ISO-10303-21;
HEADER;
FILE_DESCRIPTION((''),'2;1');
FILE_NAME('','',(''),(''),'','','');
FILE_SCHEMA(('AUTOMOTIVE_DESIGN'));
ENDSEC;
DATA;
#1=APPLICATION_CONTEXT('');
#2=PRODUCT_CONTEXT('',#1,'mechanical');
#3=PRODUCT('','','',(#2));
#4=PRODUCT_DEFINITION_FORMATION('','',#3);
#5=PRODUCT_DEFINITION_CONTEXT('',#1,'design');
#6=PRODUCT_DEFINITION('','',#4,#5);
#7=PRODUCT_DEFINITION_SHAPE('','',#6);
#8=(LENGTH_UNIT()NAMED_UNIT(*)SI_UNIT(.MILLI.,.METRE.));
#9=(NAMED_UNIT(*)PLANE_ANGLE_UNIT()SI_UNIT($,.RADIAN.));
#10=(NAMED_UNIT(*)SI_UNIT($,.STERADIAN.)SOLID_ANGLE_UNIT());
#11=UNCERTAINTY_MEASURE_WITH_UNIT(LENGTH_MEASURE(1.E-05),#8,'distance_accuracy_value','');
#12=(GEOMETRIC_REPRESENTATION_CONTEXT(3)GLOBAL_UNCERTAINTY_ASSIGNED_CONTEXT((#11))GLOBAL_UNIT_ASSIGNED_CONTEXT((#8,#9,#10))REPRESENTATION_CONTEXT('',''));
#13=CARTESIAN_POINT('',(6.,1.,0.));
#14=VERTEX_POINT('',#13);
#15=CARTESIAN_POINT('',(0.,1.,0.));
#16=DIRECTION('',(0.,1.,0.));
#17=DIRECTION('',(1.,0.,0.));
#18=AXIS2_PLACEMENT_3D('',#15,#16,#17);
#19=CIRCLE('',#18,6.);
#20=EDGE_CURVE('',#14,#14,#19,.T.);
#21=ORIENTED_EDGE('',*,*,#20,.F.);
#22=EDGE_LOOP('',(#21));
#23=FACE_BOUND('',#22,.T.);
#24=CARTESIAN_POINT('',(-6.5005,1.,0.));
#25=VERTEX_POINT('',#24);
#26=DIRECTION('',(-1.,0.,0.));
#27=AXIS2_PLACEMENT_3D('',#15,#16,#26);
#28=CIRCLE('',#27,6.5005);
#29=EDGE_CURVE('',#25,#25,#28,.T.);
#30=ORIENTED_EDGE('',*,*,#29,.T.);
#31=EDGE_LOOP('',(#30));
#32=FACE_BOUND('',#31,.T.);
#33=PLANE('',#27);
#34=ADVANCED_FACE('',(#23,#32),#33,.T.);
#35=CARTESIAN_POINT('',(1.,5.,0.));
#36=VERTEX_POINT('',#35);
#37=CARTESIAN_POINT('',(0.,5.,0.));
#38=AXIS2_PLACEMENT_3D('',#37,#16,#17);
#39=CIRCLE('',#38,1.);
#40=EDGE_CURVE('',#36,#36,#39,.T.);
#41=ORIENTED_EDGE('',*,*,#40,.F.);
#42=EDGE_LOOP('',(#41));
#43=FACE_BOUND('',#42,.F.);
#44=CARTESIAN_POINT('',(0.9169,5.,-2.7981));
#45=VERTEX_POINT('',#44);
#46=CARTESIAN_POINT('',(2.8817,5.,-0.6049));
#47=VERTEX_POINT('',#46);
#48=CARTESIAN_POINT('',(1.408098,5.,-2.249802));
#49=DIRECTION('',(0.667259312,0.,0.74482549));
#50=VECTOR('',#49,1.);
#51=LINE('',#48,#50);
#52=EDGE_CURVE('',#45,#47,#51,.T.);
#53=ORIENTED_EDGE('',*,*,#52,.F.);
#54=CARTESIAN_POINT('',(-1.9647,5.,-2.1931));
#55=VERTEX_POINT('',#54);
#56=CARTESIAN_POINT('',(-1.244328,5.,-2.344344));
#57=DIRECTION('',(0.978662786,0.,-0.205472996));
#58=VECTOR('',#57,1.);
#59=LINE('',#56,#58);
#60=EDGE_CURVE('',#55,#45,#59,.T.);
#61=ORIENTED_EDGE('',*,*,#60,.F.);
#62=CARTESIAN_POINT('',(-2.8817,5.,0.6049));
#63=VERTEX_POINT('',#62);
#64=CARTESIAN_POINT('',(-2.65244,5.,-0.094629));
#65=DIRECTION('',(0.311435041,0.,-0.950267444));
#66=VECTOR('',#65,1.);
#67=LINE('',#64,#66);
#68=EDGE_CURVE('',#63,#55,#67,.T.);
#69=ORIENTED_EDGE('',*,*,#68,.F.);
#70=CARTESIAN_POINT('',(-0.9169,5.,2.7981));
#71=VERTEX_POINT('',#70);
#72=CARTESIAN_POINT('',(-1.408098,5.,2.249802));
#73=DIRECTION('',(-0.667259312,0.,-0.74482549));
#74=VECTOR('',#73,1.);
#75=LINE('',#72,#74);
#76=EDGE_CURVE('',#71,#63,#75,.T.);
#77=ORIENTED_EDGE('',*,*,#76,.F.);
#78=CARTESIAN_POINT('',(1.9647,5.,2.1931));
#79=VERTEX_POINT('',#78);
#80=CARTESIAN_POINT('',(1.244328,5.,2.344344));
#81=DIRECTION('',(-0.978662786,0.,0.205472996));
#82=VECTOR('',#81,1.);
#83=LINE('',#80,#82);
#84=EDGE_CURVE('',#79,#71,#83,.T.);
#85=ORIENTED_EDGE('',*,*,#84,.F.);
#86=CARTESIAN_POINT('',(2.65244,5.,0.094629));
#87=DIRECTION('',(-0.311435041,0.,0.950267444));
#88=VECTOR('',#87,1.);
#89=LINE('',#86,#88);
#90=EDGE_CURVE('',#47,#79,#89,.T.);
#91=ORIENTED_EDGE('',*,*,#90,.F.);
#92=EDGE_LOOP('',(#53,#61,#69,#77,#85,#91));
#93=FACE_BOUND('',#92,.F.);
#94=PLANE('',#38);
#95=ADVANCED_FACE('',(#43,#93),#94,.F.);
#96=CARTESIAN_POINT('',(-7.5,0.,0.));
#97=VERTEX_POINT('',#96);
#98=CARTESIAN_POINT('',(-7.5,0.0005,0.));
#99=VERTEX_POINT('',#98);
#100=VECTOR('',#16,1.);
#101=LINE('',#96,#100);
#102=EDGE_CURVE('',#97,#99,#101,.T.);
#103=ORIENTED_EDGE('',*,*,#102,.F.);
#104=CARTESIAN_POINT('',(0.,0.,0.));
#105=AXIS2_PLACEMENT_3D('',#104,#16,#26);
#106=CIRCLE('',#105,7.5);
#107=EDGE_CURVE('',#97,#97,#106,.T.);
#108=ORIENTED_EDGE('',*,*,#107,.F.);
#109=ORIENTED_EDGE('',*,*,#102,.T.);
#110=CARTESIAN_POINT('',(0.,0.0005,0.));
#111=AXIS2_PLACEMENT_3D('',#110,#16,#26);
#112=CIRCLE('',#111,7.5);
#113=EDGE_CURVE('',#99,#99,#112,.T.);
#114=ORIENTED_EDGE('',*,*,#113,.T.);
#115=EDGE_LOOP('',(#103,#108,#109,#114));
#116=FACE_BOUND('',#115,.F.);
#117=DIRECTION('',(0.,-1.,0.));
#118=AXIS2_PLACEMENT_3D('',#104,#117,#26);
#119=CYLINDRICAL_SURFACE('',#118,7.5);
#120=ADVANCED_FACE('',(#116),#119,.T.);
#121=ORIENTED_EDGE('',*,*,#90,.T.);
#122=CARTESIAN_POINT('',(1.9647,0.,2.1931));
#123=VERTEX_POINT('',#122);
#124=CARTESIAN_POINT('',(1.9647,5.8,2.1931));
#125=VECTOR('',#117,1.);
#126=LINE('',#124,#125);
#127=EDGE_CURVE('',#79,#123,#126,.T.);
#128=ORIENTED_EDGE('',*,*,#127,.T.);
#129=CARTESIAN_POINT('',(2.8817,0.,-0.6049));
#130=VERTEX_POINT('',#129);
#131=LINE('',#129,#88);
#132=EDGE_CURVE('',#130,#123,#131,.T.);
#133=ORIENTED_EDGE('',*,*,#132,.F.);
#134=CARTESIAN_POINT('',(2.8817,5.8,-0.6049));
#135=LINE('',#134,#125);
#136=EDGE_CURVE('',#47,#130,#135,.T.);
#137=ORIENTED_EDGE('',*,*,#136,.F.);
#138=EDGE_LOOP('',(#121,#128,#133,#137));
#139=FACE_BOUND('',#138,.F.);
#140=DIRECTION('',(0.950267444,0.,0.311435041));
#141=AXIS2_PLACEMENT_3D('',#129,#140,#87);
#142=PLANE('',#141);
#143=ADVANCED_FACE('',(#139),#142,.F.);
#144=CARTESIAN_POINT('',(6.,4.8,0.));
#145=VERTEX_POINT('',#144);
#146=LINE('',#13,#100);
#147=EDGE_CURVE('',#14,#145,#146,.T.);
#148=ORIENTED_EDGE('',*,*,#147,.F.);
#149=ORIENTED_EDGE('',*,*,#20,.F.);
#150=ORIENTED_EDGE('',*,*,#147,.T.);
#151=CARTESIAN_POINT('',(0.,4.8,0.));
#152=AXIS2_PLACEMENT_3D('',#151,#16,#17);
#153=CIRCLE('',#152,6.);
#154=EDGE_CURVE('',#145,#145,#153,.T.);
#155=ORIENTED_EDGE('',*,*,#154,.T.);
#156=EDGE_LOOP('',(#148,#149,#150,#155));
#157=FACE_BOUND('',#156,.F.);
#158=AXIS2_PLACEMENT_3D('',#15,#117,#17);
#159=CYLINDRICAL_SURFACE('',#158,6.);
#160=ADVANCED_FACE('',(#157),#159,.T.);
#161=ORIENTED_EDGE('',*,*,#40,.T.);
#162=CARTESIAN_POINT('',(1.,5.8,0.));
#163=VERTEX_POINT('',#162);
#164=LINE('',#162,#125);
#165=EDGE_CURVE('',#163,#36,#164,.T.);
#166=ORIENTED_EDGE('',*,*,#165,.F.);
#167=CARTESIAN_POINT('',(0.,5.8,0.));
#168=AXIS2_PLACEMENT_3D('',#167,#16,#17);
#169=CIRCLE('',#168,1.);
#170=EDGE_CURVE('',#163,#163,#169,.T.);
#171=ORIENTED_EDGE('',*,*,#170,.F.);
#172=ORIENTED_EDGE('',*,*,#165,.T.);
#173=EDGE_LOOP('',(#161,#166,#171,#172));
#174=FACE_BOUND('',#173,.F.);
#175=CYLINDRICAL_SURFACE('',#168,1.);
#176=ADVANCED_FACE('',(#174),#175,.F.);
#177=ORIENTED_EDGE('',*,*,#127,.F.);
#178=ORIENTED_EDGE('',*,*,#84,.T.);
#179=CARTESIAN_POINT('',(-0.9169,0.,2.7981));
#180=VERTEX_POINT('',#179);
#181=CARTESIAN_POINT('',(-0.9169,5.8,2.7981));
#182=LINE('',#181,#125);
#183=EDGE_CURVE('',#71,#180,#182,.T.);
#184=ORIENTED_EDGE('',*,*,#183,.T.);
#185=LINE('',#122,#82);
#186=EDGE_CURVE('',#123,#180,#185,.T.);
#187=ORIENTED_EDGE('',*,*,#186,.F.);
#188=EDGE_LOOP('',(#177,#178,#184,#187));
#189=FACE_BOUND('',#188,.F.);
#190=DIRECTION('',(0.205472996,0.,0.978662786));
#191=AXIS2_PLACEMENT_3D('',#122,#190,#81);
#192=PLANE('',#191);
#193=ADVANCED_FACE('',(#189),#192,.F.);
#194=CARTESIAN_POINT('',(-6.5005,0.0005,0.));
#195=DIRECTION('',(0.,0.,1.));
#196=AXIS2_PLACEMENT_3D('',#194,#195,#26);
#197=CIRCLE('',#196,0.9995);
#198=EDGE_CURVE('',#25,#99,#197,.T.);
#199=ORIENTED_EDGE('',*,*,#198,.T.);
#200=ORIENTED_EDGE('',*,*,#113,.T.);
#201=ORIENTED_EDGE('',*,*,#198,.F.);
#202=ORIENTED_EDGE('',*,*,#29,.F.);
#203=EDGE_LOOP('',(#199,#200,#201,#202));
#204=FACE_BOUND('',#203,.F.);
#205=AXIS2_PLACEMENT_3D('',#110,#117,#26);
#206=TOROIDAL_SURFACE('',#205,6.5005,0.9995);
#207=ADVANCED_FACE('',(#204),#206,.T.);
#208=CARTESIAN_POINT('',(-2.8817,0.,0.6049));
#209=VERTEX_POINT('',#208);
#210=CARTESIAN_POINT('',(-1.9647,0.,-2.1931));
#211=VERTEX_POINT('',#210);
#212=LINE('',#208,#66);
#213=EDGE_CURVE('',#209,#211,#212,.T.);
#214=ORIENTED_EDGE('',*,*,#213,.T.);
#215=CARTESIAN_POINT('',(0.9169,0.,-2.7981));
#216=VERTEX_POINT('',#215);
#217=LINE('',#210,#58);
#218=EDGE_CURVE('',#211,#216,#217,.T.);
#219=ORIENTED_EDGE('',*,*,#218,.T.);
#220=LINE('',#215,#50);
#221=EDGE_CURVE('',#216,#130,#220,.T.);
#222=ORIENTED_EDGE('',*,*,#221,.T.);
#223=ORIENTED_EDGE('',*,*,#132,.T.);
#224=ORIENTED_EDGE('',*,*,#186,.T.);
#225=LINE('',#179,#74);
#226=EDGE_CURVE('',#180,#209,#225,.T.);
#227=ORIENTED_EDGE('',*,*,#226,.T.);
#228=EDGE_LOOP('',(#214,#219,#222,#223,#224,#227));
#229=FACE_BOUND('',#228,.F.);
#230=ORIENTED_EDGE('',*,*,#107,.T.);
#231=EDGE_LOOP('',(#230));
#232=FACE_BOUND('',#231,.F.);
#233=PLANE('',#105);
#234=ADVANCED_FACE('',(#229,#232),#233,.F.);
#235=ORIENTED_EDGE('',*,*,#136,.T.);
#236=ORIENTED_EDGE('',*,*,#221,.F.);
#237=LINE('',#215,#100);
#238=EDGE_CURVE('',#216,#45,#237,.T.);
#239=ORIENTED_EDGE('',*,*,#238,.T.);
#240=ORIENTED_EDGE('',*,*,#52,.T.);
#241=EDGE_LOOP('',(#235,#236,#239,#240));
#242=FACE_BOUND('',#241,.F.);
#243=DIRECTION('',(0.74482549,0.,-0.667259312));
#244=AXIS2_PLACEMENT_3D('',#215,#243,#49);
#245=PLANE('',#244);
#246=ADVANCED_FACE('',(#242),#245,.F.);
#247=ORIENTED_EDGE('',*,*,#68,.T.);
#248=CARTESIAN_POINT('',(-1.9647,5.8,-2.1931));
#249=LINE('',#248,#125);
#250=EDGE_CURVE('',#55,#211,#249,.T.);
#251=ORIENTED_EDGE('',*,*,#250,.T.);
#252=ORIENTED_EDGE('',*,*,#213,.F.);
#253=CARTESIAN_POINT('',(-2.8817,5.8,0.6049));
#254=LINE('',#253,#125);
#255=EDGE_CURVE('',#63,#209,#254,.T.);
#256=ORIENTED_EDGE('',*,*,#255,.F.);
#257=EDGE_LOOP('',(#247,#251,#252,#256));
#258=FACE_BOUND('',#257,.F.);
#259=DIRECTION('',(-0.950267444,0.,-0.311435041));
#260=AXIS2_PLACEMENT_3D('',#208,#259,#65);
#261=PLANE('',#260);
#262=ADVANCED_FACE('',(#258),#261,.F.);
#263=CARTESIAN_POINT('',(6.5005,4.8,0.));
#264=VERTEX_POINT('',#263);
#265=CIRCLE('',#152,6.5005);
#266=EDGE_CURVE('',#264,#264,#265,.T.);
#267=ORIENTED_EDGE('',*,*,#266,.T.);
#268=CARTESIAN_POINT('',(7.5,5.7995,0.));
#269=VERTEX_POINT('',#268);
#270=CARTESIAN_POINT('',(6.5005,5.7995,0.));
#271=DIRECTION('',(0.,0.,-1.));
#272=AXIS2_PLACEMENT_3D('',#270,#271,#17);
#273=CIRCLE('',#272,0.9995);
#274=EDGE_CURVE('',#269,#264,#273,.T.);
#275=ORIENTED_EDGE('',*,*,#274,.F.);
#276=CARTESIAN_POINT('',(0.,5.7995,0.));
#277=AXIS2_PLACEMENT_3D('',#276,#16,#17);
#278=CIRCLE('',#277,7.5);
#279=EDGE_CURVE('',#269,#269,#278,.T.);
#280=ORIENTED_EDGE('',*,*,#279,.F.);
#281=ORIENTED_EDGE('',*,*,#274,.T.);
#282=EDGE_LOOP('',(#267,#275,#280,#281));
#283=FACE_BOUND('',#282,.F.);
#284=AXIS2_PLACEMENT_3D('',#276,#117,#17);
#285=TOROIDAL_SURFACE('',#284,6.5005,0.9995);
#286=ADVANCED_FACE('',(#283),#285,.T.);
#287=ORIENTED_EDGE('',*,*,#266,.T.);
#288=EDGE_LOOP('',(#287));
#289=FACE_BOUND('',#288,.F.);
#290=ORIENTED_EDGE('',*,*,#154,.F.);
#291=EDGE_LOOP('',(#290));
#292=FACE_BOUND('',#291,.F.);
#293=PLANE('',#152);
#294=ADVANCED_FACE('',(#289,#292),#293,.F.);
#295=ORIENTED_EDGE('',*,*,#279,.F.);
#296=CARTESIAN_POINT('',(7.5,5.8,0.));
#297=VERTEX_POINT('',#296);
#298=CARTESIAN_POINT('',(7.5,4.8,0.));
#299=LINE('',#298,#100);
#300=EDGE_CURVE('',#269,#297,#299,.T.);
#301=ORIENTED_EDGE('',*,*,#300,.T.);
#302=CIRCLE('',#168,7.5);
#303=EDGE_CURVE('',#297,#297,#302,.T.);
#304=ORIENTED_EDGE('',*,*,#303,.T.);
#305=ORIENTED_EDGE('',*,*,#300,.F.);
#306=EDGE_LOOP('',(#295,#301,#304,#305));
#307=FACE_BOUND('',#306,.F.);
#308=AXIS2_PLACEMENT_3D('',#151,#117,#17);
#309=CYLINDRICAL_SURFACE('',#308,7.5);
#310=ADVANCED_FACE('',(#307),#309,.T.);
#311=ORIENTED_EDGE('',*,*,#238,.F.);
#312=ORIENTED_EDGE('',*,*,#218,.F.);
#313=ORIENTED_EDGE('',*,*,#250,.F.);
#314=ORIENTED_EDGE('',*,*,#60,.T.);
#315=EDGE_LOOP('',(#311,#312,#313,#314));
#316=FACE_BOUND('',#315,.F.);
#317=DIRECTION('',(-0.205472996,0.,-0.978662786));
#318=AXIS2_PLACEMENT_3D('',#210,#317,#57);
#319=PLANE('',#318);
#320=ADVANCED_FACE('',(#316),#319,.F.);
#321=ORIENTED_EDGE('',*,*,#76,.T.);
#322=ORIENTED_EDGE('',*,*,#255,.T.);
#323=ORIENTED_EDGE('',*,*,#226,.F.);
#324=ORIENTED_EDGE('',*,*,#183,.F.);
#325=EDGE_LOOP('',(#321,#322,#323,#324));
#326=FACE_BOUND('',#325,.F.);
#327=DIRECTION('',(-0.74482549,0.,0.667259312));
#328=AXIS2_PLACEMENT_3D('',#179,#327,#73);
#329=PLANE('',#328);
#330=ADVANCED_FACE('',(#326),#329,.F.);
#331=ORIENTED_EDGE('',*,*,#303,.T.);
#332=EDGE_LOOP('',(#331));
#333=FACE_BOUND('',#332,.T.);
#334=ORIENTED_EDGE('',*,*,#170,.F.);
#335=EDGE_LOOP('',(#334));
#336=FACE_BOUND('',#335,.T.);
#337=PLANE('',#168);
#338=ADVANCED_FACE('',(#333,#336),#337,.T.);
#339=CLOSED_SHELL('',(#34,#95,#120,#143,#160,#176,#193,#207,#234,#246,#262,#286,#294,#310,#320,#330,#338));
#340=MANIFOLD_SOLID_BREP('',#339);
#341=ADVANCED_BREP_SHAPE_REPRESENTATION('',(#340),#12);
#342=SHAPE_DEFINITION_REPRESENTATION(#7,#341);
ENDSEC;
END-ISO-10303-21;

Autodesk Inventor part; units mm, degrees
ref_plane "YZ Plane" through (0, 0, 0) normal (1, 0, 0) x (0, 1, 0)
ref_plane "XZ Plane" through (0, 0, 0) normal (0, 1, 0) x (-1, 0, 0)
ref_plane "XY Plane" through (0, 0, 0) normal (0, 0, 1) x (1, 0, 0)
sketch "스케치1" plane through (0, 0, 0) normal (0, 1, 0) x (-1, 0, 0)
  line L0 (-0.9169, -2.7981) -> (-2.8817, -0.6049)
  line L1 (-2.8817, -0.6049) -> (-1.9647, 2.1931)
  line L2 (-1.9647, 2.1931) -> (0.9169, 2.7981)
  line L3 (0.9169, 2.7981) -> (2.8817, 0.6049)
  line L4 (2.8817, 0.6049) -> (1.9647, -2.1931)
  line L5 (1.9647, -2.1931) -> (-0.9169, -2.7981)
  circle A0 centre (0, 0) radius 7.5
  dimension "d0" = 5.1
  dimension "d1" = 15
extrude "돌출1" add sketch "스케치1" along normal blind 1
sketch "스케치2" plane through (0, 1, 0) normal (0, 1, 0) x (1, 0, 0)
  circle A0 centre (0, 0) radius 6
  line L0 (2.8817, 0.6049) -> (1.9647, -2.1931) projected
  line L1 (1.9647, -2.1931) -> (-0.9169, -2.7981) projected
  line L2 (-0.9169, -2.7981) -> (-2.8817, -0.6049) projected
  line L3 (-2.8817, -0.6049) -> (-1.9647, 2.1931) projected
  line L4 (-1.9647, 2.1931) -> (0.9169, 2.7981) projected
  line L5 (0.9169, 2.7981) -> (2.8817, 0.6049) projected
  circle A1 centre (0, 0) radius 7.5 projected
  dimension "d4" = 12
extrude "돌출2" add sketch "스케치2" along normal blind 3.8 contours A0
sketch "스케치3" plane through (0, 4.8, 0) normal (0, 1, 0) x (1, 0, 0)
  circle A0 centre (0, 0) radius 7.5
  circle A1 centre (0, 0) radius 7.5 projected
  line L0 (1.9647, -2.1931) -> (-0.9169, -2.7981) projected
  line L1 (-0.9169, -2.7981) -> (-2.8817, -0.6049) projected
  line L2 (-2.8817, -0.6049) -> (-1.9647, 2.1931) projected
  line L3 (-1.9647, 2.1931) -> (0.9169, 2.7981) projected
  line L4 (0.9169, 2.7981) -> (2.8817, 0.6049) projected
  line L5 (2.8817, 0.6049) -> (1.9647, -2.1931) projected
  circle A2 centre (0, 0) radius 6 projected
  dimension "d7" = 15
extrude "돌출3" add sketch "스케치3" along normal blind 1 contours A0 | A2
sketch "스케치4" plane through (0, 5.8, 0) normal (0, 1, 0) x (1, 0, 0)
  point P0 (0, 0)
sketch "스케치5" plane through (0, 5.8, 0) normal (0, 1, 0) x (1, 0, 0)
  circle A0 centre (0, 0) radius 5
  circle A1 centre (0, 0) radius 1
  dimension "d10" = 10
  dimension "d11" = 2
extrude "돌출4" add sketch "스케치5" against normal blind 0.8
fillet "모깎기1" radius 1 2 edges at (7.5, 1, 0) (-7.5, 4.8, 0)
sketch "스케치6" plane through (0.9169, 0, -2.7981) normal (-0.7448, 0, 0.6673) x (0.6673, 0, 0.7448)
  point P0 (1.4722, 0)
sketch "스케치7" plane through (-2.8817, 0, 0.6049) normal (0.9503, 0, 0.3114) x (0.3114, 0, -0.9503)
  point P0 (1.4722, 0)
properties part number "motor gear"
